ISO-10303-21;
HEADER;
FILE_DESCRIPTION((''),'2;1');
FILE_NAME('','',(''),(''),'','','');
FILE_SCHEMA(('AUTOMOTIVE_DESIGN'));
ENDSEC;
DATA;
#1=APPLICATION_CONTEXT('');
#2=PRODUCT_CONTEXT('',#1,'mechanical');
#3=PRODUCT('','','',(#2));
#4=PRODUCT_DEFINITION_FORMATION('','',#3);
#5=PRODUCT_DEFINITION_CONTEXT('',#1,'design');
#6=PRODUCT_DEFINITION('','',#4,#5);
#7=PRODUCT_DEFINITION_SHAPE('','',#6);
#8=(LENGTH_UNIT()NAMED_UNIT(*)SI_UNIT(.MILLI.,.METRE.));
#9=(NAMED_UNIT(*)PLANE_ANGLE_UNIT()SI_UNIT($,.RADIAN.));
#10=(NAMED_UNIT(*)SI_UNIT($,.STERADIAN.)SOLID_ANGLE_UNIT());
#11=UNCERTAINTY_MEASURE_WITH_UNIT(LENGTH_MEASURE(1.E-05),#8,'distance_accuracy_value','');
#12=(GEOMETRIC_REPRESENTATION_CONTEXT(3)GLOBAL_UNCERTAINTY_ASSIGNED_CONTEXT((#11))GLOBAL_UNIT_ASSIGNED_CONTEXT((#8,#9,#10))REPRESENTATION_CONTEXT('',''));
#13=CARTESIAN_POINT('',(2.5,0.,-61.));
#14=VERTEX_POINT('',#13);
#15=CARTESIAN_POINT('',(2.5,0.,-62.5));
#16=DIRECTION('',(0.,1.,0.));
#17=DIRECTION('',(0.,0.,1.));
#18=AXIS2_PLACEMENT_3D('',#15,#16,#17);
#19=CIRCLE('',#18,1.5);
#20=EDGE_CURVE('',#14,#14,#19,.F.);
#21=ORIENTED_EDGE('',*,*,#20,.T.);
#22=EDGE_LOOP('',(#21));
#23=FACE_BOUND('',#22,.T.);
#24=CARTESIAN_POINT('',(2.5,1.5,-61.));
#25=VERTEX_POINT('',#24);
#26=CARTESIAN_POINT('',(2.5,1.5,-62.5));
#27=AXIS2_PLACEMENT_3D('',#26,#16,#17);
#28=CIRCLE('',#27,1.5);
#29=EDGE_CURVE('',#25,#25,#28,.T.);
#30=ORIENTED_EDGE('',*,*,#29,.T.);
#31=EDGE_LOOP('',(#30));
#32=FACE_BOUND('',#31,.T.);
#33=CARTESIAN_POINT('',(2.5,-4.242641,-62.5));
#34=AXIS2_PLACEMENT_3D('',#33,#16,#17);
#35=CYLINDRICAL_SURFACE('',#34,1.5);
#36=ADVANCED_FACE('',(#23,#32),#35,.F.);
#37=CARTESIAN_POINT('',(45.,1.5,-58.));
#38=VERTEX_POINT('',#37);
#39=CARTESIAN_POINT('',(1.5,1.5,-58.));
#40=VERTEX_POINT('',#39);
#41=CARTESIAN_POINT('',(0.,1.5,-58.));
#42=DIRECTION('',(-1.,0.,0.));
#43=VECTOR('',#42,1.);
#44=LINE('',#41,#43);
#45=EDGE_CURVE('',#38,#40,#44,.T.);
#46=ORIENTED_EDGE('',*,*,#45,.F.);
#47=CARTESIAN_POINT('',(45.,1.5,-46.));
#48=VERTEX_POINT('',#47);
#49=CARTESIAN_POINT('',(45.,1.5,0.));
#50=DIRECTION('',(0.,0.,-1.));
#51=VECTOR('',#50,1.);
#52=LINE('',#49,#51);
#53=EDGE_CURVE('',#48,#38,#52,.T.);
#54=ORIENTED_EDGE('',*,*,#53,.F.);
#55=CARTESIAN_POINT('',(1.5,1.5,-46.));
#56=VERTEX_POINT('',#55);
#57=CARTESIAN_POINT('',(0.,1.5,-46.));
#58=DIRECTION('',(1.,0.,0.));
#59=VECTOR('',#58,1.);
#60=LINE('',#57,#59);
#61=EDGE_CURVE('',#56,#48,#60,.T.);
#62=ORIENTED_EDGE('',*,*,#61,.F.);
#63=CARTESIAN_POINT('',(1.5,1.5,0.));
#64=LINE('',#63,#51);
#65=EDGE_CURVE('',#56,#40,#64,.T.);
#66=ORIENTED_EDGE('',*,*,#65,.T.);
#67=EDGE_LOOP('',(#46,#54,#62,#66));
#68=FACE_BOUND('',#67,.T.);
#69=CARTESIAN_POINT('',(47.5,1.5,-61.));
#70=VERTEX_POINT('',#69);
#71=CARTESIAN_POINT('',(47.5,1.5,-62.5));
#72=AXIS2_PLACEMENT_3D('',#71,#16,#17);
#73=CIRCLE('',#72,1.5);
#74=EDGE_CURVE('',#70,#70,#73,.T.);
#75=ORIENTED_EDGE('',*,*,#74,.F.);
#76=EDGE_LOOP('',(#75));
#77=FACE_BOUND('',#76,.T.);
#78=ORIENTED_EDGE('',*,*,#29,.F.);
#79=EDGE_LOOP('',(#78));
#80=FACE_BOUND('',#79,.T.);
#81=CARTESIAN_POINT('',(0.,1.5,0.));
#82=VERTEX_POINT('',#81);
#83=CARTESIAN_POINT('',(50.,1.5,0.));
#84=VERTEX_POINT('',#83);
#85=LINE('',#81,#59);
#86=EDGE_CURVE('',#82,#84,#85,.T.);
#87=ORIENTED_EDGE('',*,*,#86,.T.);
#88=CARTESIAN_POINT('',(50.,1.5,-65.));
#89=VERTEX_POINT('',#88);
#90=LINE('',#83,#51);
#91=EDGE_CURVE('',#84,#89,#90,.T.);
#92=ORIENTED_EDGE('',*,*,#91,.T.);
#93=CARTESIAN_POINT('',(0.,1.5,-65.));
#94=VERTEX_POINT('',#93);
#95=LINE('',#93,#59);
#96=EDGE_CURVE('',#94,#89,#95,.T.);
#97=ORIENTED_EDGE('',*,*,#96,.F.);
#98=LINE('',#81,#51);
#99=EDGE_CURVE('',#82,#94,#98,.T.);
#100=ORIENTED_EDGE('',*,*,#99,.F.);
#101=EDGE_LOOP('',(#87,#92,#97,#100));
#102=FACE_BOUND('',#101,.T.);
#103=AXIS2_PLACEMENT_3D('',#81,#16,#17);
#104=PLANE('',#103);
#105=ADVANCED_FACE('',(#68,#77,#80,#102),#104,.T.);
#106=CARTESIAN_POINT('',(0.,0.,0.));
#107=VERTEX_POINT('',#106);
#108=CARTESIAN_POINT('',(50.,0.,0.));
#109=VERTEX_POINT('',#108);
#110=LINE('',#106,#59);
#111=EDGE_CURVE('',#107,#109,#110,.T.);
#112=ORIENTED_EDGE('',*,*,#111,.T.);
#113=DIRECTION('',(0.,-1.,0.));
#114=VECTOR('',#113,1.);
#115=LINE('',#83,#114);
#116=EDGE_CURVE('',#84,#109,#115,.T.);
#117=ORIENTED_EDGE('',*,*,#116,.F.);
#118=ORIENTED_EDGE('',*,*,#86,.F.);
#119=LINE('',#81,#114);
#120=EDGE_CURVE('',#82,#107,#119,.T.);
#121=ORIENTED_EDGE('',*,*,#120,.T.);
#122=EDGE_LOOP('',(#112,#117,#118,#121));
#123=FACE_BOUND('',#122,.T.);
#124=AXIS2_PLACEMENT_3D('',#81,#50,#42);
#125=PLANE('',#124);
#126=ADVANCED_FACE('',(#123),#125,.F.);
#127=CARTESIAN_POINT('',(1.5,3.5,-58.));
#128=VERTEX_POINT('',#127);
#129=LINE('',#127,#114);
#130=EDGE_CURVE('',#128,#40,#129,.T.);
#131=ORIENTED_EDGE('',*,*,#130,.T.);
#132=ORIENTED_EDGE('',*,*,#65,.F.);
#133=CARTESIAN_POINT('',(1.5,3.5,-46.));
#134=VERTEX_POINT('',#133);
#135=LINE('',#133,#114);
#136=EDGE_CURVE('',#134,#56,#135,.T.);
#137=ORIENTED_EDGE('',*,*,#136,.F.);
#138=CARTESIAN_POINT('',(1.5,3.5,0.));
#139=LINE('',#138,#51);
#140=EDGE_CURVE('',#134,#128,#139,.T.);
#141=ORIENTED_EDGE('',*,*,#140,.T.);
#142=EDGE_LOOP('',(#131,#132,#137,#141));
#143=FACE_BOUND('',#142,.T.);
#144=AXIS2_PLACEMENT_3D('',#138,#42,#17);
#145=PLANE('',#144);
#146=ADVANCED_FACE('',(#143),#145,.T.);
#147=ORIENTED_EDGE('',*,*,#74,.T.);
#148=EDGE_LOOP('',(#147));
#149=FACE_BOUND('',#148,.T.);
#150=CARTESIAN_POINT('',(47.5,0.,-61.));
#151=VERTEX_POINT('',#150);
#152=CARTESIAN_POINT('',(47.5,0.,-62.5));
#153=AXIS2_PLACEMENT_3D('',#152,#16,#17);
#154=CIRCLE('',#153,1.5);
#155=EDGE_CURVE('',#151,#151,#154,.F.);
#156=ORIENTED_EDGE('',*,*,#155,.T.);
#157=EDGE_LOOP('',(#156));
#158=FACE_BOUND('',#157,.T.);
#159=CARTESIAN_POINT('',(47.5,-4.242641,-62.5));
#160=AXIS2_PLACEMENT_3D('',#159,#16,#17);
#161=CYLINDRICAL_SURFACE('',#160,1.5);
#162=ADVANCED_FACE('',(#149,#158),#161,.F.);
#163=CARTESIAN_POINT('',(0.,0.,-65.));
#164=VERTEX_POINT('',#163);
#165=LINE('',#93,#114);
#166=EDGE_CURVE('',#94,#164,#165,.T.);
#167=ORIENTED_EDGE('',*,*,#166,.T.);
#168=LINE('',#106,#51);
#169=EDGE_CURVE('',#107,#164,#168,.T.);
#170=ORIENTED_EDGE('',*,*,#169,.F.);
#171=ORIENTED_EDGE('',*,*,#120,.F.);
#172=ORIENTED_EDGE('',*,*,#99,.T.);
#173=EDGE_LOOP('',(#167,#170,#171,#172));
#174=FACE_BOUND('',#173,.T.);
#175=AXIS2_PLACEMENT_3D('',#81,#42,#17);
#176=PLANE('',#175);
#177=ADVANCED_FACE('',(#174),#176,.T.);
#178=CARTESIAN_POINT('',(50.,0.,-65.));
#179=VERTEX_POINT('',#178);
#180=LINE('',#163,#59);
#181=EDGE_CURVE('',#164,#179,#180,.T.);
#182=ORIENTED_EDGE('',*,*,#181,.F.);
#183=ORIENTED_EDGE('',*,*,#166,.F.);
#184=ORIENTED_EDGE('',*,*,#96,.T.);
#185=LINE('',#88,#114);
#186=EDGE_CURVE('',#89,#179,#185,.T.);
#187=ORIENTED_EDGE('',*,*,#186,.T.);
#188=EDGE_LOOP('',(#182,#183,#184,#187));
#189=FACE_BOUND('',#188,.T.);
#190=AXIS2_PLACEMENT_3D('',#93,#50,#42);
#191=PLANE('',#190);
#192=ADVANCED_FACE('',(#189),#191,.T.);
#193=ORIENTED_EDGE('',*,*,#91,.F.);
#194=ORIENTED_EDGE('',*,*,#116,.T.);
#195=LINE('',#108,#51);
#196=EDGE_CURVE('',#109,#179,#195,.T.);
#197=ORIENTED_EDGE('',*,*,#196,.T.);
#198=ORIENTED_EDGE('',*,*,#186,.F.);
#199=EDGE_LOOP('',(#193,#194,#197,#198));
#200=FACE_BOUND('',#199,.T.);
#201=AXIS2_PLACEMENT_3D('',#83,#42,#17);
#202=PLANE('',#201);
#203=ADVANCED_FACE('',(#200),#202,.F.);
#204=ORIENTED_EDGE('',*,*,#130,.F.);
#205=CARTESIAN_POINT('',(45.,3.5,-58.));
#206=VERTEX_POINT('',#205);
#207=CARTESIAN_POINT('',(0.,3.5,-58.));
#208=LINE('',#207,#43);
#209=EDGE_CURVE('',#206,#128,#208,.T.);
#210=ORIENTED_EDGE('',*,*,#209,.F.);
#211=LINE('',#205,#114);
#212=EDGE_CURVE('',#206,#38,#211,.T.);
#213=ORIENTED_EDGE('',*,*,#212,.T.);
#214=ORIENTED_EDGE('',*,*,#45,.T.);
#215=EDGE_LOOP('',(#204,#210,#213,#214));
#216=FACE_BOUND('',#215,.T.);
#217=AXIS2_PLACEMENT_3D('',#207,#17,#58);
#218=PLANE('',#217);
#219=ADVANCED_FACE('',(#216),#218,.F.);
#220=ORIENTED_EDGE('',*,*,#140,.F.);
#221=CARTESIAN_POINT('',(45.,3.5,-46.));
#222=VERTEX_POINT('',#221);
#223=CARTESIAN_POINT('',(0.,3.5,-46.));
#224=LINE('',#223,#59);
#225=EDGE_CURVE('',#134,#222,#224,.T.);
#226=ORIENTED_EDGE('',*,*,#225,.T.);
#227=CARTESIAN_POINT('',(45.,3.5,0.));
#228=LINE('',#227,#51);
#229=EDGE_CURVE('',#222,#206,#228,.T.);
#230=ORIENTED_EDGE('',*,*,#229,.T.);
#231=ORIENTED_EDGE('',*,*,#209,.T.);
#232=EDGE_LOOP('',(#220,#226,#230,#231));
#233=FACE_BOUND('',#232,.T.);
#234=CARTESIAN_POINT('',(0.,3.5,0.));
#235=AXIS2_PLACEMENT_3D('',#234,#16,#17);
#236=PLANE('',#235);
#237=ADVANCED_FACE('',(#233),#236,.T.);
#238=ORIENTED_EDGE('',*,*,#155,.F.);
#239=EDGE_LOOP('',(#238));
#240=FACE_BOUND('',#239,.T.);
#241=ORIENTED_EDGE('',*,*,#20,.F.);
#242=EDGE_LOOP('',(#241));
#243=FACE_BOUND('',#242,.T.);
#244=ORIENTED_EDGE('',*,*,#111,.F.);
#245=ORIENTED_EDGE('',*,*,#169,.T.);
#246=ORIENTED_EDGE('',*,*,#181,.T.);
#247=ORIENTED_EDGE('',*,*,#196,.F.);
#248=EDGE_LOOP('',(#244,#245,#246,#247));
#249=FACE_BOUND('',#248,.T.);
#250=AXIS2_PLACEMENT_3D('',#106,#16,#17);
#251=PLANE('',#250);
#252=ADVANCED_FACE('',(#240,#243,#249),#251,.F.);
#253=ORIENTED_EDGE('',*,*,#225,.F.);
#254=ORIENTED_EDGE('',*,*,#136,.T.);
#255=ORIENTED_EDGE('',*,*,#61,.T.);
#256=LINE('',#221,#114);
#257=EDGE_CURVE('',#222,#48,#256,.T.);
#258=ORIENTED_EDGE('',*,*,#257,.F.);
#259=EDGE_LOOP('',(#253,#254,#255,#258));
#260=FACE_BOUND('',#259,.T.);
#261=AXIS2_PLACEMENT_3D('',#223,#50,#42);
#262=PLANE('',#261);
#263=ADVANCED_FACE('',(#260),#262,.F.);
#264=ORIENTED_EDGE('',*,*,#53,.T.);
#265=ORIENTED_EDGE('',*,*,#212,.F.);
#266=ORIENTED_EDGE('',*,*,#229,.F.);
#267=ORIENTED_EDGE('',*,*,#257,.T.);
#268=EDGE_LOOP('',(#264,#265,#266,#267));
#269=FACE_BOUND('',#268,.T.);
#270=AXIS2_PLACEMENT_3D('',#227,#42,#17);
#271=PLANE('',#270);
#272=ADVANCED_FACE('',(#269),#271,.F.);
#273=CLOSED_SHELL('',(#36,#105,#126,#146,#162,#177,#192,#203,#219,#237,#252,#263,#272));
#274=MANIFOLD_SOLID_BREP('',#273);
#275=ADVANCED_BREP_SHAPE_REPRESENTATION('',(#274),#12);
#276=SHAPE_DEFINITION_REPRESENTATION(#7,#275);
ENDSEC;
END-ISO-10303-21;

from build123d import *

# Parameters (mm, degrees)
SKETCH1_W           = 50
SKETCH1_H           = 44
SKETCH1_H_2         = 21
BOSS_EXTRUDE1_DEPTH = 1.5
SKETCH2_W           = 43.5
SKETCH2_H           = 12
BOSS_EXTRUDE3_DEPTH = 2
SKETCH4_R           = 1.5
CUT_EXTRUDE1_DEPTH  = 1.5


with BuildPart() as part:
    # Sketch1 → Boss-Extrude1 (new body)
    with BuildSketch(Plane(origin=(0, 0, 0), x_dir=(1, 0, 0), z_dir=(0, 1, 0))):
        with Locations((25, 22)):
            Rectangle(SKETCH1_W, SKETCH1_H)
        with Locations((25, 54.5)):
            Rectangle(SKETCH1_W, SKETCH1_H_2)
    extrude(amount=BOSS_EXTRUDE1_DEPTH)

    # Sketch2 → Boss-Extrude3 (add)
    with BuildSketch(Plane(origin=(0, 1.5, 0), x_dir=(1, 0, 0), z_dir=(0, 1, 0))):
        with Locations((23.25, 52)):
            Rectangle(SKETCH2_W, SKETCH2_H)
    extrude(amount=BOSS_EXTRUDE3_DEPTH)

    # Sketch4 → Cut-Extrude1 (cut)
    with BuildSketch(Plane(origin=(0, 1.5, 0), x_dir=(1, 0, 0), z_dir=(0, 1, 0))):
        with Locations(Location((2.5, 62.5, 0), (0, 0, 270))):
            Circle(SKETCH4_R)
        with Locations(Location((47.5, 62.5, 0), (0, 0, 270))):
            Circle(SKETCH4_R)
    extrude(amount=-CUT_EXTRUDE1_DEPTH, mode=Mode.SUBTRACT)


solid = part.part
